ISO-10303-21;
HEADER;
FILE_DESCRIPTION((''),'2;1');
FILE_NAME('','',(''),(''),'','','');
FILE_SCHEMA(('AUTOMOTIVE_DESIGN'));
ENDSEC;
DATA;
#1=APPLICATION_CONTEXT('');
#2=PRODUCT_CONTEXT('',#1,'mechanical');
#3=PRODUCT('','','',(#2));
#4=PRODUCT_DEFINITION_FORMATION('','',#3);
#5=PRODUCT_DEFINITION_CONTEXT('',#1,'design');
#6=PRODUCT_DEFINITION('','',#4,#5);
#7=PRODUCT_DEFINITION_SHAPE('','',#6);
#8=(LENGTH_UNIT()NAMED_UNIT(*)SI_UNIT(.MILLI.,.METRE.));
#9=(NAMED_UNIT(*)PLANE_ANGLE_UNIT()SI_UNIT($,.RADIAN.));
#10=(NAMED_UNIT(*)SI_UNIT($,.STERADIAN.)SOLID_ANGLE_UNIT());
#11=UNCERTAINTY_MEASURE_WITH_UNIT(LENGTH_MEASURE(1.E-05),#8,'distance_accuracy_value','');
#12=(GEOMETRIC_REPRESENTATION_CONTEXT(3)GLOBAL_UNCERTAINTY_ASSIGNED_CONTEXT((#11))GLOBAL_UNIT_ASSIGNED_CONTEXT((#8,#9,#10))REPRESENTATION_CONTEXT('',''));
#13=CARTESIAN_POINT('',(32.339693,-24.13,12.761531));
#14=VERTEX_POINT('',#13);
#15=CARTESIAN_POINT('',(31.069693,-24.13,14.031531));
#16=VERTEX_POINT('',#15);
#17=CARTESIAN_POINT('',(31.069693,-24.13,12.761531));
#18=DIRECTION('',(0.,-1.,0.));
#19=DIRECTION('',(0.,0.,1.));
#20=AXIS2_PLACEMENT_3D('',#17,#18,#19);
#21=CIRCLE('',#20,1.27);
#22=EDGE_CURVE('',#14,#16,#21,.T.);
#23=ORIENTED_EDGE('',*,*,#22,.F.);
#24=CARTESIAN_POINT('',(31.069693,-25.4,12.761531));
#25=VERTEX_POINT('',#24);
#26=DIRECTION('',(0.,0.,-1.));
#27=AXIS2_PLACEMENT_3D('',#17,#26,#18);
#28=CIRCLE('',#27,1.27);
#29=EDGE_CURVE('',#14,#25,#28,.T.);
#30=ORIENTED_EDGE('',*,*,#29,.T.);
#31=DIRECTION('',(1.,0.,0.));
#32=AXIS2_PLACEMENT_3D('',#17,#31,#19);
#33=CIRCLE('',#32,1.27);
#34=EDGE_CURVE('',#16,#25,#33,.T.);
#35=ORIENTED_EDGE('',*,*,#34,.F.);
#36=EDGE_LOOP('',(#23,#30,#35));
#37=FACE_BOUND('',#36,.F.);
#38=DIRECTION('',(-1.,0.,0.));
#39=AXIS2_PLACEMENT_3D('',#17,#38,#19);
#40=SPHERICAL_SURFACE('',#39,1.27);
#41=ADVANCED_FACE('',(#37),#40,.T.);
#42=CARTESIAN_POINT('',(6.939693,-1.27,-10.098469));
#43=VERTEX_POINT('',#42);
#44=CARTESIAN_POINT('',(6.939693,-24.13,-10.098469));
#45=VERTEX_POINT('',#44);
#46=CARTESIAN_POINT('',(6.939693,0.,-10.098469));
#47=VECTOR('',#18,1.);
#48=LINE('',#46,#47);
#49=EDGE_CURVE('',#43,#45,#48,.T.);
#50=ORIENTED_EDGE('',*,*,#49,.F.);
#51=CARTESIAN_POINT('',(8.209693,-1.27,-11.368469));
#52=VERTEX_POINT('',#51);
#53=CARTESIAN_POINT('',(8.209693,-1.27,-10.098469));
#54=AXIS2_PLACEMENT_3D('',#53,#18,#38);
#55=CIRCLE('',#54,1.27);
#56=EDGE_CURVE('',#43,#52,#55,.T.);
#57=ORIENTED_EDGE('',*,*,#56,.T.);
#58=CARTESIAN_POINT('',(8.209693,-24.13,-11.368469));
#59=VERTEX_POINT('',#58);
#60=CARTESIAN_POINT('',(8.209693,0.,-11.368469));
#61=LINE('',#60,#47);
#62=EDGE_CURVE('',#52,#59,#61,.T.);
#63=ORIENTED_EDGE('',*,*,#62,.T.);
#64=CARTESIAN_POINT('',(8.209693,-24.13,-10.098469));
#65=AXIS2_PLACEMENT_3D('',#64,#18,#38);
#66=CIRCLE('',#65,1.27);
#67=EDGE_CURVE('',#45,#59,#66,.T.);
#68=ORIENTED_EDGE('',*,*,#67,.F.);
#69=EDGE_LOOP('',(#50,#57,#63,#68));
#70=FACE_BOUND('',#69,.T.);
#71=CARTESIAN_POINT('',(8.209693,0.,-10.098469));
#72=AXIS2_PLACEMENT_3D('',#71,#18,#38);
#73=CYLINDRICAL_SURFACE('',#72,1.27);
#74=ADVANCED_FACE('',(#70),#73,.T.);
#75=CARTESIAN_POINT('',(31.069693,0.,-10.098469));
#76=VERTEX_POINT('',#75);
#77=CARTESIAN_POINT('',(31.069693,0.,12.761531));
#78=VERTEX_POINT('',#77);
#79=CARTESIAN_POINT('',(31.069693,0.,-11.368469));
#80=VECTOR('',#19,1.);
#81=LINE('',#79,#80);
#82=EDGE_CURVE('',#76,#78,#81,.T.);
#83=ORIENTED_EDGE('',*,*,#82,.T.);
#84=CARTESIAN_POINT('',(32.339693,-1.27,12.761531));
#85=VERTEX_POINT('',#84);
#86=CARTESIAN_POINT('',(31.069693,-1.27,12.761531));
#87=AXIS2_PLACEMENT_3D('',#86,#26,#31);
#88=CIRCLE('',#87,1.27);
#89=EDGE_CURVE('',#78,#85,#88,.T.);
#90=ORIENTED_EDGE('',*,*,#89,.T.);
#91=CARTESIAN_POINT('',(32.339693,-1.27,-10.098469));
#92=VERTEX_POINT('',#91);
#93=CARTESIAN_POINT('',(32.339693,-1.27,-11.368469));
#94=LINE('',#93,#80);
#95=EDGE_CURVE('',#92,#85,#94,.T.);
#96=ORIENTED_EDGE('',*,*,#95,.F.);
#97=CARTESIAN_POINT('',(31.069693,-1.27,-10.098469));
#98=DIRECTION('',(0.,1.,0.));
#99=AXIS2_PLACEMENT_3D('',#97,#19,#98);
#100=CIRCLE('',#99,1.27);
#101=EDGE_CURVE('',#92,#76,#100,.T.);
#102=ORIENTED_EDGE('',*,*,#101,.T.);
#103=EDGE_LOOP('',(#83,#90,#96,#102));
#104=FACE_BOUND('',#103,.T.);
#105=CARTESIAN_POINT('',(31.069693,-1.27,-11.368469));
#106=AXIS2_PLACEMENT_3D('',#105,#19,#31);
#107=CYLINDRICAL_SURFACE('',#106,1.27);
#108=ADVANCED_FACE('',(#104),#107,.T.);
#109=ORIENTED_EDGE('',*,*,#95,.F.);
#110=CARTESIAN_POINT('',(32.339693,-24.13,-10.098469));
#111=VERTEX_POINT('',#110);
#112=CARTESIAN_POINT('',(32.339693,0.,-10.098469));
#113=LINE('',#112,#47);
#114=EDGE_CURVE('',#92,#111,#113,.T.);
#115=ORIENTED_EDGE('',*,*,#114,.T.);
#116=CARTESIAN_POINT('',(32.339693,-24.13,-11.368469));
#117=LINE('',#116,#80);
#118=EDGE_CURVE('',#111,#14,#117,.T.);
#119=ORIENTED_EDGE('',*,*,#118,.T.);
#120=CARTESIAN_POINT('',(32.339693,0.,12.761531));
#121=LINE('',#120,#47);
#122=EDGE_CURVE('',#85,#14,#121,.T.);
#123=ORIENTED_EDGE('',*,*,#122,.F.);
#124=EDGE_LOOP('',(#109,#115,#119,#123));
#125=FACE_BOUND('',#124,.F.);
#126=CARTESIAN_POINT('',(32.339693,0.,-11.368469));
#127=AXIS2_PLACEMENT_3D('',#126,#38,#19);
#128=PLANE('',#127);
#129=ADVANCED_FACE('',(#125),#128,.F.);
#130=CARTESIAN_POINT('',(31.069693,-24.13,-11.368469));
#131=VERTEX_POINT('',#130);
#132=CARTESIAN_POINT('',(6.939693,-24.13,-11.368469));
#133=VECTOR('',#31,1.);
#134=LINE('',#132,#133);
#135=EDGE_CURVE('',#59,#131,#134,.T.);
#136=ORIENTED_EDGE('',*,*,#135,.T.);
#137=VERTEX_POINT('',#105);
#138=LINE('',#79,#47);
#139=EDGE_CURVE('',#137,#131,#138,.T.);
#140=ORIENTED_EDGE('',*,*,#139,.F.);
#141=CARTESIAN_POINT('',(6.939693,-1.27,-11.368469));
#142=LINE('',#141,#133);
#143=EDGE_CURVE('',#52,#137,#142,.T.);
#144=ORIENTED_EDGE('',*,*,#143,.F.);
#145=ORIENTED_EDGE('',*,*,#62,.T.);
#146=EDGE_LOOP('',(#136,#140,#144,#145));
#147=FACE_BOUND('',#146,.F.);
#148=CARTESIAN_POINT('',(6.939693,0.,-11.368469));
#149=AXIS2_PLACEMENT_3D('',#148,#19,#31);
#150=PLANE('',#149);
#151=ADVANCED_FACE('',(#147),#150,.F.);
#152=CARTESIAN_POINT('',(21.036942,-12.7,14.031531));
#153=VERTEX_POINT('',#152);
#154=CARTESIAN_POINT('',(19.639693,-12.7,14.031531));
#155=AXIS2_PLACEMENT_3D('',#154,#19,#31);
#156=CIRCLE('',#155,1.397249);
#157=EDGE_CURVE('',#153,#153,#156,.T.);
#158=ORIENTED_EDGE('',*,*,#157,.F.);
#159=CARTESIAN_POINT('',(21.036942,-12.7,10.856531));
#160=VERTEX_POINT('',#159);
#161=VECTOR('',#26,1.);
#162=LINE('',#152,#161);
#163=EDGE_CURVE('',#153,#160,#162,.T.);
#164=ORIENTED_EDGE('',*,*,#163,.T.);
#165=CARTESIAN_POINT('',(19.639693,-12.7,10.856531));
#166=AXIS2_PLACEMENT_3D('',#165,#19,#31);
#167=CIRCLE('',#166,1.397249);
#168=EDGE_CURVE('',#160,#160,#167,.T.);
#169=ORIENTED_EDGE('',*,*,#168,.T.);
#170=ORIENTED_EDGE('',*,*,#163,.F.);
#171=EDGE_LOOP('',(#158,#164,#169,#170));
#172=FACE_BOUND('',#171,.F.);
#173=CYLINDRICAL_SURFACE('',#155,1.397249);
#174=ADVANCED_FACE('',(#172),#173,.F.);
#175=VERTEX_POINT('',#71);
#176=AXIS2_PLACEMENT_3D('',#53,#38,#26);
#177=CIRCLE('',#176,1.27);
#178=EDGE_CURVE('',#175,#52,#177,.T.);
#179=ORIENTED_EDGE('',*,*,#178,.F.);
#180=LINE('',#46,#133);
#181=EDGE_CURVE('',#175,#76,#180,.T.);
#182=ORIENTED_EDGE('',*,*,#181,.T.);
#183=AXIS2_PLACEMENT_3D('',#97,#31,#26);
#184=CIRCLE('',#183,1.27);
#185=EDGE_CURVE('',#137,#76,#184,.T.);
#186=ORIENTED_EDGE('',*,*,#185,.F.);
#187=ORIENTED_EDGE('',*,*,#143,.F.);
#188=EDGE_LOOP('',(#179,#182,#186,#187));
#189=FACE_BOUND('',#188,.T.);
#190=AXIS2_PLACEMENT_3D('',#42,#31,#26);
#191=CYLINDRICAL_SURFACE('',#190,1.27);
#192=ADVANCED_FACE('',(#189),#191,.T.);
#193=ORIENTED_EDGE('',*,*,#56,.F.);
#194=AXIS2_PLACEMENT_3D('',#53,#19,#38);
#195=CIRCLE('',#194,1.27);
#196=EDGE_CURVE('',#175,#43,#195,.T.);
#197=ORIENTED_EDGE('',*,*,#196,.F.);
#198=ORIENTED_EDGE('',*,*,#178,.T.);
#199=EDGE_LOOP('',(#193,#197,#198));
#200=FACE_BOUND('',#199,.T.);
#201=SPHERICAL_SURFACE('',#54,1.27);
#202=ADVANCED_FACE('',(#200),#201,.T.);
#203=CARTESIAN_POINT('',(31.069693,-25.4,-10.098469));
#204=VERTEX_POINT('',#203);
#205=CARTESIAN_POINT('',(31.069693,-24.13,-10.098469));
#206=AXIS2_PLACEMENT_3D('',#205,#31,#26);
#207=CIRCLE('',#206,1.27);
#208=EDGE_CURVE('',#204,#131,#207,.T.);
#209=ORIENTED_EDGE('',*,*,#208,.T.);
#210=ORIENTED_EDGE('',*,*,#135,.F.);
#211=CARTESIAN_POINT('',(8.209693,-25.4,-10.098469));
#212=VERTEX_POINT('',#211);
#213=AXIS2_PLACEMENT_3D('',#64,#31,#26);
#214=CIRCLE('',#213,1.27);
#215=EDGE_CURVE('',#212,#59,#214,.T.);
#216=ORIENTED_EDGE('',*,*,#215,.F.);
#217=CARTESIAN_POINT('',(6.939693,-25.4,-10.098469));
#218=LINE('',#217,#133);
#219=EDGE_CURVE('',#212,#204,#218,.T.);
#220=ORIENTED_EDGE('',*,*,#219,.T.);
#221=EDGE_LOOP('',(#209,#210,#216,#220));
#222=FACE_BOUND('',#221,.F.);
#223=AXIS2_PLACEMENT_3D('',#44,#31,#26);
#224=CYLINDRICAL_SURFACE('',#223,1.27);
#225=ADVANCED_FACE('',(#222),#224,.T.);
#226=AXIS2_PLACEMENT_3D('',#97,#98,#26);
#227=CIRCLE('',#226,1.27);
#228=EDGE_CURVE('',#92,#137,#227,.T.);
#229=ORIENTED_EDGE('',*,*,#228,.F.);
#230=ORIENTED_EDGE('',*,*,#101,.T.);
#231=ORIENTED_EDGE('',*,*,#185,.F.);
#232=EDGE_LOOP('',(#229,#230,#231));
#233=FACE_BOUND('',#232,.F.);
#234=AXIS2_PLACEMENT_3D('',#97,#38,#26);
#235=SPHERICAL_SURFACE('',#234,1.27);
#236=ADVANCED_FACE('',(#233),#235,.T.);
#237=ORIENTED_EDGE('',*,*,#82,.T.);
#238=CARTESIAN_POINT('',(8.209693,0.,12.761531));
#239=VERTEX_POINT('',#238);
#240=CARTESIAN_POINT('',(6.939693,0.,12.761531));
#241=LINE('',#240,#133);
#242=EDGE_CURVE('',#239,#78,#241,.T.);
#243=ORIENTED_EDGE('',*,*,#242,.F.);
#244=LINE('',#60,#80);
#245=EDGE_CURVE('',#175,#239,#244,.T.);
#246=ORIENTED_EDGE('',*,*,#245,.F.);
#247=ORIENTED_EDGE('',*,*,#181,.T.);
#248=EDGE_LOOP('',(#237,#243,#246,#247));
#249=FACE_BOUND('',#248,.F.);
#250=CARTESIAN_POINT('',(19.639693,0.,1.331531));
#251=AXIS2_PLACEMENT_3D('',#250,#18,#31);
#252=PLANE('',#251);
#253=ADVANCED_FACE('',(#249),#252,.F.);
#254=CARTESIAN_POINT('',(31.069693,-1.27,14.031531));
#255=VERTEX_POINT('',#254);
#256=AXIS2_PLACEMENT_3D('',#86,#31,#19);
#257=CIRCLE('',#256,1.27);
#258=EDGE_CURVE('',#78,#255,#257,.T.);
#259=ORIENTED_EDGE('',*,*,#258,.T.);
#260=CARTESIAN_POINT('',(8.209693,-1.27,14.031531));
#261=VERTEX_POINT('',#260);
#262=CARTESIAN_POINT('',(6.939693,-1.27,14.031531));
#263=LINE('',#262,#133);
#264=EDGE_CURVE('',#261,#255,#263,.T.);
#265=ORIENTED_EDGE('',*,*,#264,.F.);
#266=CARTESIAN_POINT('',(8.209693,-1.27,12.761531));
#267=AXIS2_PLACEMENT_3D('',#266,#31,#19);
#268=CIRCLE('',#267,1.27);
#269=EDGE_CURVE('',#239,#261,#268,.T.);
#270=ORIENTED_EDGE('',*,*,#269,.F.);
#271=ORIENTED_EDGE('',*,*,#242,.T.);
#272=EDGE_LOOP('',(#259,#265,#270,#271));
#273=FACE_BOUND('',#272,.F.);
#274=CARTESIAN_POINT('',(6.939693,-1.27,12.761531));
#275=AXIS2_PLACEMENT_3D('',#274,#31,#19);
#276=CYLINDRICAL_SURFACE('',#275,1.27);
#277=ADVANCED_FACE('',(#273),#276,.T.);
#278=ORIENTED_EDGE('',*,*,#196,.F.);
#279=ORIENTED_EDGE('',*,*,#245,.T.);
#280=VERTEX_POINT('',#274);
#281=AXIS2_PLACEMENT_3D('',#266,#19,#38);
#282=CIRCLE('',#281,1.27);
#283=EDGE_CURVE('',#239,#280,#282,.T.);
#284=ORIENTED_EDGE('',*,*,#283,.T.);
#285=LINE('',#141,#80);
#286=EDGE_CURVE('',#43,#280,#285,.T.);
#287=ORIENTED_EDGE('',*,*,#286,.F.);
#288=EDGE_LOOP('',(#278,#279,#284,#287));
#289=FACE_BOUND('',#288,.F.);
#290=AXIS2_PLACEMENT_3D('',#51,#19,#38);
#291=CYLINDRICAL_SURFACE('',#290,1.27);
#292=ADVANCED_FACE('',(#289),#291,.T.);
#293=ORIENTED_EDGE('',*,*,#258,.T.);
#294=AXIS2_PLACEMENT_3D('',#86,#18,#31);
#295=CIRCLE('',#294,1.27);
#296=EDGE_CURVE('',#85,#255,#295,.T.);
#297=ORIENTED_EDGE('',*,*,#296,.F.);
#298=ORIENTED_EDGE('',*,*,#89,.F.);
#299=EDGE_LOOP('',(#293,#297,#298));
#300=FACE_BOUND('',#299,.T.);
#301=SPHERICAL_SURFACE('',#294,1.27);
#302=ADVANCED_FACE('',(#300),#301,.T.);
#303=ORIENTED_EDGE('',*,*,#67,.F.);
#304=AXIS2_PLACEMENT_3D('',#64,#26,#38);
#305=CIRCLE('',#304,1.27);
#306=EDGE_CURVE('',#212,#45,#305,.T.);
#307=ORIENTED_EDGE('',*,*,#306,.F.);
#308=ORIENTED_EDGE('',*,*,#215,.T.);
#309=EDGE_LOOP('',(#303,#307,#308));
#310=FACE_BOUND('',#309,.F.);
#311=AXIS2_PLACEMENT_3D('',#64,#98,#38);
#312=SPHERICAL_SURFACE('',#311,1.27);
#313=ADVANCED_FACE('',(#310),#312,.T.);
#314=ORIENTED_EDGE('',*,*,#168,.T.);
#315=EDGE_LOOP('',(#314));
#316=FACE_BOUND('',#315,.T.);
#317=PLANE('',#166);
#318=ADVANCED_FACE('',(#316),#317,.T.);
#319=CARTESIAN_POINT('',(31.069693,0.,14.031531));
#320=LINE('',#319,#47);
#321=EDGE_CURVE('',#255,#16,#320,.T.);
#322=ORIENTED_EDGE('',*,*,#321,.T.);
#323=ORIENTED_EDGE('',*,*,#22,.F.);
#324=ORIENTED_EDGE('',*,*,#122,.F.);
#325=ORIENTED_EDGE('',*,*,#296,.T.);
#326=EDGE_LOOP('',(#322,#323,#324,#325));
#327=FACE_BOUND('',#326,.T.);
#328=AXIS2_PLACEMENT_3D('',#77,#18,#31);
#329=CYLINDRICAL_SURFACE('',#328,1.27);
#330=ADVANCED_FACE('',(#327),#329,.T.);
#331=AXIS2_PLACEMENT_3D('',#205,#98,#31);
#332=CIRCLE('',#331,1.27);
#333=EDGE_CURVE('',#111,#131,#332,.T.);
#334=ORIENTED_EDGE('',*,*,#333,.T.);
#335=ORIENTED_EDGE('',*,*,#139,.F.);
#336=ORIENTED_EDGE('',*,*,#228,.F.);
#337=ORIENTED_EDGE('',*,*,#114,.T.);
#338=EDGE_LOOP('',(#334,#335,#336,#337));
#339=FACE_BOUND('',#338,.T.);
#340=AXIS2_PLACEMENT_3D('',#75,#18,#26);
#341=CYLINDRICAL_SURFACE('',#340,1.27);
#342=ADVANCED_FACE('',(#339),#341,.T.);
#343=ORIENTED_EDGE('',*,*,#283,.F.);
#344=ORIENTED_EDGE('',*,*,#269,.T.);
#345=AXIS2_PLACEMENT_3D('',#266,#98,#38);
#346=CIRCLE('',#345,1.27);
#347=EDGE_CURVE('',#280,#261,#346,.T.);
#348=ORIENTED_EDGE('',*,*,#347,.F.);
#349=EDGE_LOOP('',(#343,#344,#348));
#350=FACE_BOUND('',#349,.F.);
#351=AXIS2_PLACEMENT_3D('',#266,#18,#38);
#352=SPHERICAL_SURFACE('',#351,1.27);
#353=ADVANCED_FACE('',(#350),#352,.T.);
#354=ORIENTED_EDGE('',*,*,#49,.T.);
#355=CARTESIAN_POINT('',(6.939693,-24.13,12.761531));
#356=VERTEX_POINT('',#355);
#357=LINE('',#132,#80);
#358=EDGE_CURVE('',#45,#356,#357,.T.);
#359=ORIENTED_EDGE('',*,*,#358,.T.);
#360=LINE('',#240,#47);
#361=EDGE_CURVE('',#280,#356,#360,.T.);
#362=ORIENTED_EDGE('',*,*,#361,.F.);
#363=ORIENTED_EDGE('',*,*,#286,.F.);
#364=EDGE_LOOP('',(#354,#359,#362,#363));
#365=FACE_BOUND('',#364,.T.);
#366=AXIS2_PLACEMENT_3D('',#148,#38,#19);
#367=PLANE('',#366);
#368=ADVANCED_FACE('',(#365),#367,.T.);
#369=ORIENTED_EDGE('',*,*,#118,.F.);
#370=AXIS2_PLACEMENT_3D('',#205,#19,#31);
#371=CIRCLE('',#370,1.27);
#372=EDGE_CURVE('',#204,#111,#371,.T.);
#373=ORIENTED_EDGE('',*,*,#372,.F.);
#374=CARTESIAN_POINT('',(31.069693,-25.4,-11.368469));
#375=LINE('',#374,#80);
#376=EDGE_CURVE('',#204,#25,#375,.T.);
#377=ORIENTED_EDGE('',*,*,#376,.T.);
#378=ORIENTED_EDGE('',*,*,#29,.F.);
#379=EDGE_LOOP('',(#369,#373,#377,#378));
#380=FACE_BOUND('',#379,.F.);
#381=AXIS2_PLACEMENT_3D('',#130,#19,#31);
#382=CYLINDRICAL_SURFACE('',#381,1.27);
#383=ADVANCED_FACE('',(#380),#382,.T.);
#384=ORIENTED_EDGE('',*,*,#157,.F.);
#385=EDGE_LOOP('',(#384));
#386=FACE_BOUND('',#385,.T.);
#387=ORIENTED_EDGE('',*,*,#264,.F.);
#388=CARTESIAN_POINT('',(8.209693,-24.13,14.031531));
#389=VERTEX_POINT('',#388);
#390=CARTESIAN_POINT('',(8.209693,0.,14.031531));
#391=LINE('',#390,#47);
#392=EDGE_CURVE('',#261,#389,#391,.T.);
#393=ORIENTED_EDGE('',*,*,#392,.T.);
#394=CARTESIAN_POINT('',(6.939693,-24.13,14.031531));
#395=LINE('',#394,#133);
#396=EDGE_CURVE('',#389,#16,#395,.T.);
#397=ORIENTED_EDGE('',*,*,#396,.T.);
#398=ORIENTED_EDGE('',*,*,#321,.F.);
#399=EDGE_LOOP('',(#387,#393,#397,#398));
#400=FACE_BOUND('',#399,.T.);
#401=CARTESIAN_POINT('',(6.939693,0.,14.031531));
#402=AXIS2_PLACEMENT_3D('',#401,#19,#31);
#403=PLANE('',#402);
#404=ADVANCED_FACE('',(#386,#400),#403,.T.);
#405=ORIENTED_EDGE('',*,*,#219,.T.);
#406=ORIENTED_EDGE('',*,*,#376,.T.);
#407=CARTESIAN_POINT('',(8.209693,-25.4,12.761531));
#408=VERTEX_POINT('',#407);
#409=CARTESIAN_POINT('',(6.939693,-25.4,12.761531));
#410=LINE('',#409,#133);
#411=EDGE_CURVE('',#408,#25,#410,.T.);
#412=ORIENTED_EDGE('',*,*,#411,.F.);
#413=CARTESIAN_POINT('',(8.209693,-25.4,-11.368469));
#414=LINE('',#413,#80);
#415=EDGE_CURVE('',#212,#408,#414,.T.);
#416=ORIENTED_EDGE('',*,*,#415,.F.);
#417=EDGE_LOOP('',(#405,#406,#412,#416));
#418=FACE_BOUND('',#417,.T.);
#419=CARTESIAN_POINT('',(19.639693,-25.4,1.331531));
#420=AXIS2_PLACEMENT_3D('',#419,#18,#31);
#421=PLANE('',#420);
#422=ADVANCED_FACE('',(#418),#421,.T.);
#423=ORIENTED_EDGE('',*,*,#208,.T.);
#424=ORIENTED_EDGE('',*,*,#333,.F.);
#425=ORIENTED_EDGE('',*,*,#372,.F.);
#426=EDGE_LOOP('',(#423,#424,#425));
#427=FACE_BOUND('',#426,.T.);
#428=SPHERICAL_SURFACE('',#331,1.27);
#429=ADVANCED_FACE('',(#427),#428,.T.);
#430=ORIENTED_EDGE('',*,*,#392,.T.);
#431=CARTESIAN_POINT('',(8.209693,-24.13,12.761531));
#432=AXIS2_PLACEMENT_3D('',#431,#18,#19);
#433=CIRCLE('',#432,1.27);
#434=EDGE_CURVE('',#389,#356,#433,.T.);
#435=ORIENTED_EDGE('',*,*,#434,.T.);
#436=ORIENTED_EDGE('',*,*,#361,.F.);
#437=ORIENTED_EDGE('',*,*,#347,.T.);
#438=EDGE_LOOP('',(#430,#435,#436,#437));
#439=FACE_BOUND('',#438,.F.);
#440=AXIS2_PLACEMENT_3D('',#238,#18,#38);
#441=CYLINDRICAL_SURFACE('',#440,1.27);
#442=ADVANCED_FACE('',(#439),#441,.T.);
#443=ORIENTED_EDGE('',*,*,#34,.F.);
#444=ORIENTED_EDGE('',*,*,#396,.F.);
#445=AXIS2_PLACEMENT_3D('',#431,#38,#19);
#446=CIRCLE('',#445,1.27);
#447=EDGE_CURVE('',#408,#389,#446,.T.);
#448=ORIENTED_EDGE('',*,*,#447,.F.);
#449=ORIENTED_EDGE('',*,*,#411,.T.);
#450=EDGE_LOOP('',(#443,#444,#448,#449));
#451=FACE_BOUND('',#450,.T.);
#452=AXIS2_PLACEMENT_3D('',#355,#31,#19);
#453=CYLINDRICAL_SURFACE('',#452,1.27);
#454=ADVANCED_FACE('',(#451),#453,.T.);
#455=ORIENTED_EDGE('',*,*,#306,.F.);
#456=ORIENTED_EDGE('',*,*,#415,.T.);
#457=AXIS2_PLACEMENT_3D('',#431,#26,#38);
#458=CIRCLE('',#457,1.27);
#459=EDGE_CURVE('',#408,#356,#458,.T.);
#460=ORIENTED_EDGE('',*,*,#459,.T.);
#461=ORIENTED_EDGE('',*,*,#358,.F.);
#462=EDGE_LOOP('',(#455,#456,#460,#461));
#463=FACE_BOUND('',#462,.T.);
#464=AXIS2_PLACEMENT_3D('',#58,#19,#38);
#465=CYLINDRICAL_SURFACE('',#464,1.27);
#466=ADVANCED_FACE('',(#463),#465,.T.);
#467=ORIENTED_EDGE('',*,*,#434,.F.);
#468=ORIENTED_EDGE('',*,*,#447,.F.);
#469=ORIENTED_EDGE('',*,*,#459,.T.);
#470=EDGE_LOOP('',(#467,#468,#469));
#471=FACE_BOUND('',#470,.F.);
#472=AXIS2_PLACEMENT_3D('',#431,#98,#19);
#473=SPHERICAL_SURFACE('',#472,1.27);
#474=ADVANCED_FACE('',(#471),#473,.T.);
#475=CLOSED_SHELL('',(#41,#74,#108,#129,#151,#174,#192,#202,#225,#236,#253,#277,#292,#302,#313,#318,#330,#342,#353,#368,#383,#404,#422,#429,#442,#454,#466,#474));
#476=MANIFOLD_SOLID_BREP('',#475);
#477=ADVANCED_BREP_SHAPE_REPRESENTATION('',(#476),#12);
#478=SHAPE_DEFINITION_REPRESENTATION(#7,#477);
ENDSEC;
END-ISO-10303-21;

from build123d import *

# Parameters (mm, degrees)
F0_W     = 25.4
F0_H     = 25.4
F1_DEPTH = 25.4
F2_R     = 1.27
F3_R     = 1.397249
F4_DEPTH = 3.175


with BuildPart() as f1:
    # F0 (on Front) → F1 (new body)
    with BuildSketch(Plane.XZ):
        with Locations((19.639693, 1.331531)):
            Rectangle(F0_W, F0_H)
    extrude(amount=F1_DEPTH)

    # F2
    f2_edges = [f1.edges().sort_by_distance(p)[0] for p in [
        (6.939693, -12.7, 14.031531),
        (19.639693, -25.4, 14.031531),
        (6.939693, -12.7, -11.368469),
        (6.939693, 0, 1.331531),
        (6.939693, -25.4, 1.331531),
        (19.639693, 0, -11.368469),
        (32.339693, -12.7, -11.368469),
        (32.339693, -12.7, 14.031531),
        (32.339693, 0, 1.331531),
        (32.339693, -25.4, 1.331531),
        (19.639693, 0, 14.031531),
        (19.639693, -25.4, -11.368469),
    ]]
    fillet(f2_edges, radius=F2_R)

    # F3 (on face) → F4 (cut)
    with BuildSketch(Plane.XY.offset(14.031531)):
        with Locations((19.639693, -12.7)):
            Circle(F3_R)
    extrude(amount=-F4_DEPTH, mode=Mode.SUBTRACT)


solid = f1.part
